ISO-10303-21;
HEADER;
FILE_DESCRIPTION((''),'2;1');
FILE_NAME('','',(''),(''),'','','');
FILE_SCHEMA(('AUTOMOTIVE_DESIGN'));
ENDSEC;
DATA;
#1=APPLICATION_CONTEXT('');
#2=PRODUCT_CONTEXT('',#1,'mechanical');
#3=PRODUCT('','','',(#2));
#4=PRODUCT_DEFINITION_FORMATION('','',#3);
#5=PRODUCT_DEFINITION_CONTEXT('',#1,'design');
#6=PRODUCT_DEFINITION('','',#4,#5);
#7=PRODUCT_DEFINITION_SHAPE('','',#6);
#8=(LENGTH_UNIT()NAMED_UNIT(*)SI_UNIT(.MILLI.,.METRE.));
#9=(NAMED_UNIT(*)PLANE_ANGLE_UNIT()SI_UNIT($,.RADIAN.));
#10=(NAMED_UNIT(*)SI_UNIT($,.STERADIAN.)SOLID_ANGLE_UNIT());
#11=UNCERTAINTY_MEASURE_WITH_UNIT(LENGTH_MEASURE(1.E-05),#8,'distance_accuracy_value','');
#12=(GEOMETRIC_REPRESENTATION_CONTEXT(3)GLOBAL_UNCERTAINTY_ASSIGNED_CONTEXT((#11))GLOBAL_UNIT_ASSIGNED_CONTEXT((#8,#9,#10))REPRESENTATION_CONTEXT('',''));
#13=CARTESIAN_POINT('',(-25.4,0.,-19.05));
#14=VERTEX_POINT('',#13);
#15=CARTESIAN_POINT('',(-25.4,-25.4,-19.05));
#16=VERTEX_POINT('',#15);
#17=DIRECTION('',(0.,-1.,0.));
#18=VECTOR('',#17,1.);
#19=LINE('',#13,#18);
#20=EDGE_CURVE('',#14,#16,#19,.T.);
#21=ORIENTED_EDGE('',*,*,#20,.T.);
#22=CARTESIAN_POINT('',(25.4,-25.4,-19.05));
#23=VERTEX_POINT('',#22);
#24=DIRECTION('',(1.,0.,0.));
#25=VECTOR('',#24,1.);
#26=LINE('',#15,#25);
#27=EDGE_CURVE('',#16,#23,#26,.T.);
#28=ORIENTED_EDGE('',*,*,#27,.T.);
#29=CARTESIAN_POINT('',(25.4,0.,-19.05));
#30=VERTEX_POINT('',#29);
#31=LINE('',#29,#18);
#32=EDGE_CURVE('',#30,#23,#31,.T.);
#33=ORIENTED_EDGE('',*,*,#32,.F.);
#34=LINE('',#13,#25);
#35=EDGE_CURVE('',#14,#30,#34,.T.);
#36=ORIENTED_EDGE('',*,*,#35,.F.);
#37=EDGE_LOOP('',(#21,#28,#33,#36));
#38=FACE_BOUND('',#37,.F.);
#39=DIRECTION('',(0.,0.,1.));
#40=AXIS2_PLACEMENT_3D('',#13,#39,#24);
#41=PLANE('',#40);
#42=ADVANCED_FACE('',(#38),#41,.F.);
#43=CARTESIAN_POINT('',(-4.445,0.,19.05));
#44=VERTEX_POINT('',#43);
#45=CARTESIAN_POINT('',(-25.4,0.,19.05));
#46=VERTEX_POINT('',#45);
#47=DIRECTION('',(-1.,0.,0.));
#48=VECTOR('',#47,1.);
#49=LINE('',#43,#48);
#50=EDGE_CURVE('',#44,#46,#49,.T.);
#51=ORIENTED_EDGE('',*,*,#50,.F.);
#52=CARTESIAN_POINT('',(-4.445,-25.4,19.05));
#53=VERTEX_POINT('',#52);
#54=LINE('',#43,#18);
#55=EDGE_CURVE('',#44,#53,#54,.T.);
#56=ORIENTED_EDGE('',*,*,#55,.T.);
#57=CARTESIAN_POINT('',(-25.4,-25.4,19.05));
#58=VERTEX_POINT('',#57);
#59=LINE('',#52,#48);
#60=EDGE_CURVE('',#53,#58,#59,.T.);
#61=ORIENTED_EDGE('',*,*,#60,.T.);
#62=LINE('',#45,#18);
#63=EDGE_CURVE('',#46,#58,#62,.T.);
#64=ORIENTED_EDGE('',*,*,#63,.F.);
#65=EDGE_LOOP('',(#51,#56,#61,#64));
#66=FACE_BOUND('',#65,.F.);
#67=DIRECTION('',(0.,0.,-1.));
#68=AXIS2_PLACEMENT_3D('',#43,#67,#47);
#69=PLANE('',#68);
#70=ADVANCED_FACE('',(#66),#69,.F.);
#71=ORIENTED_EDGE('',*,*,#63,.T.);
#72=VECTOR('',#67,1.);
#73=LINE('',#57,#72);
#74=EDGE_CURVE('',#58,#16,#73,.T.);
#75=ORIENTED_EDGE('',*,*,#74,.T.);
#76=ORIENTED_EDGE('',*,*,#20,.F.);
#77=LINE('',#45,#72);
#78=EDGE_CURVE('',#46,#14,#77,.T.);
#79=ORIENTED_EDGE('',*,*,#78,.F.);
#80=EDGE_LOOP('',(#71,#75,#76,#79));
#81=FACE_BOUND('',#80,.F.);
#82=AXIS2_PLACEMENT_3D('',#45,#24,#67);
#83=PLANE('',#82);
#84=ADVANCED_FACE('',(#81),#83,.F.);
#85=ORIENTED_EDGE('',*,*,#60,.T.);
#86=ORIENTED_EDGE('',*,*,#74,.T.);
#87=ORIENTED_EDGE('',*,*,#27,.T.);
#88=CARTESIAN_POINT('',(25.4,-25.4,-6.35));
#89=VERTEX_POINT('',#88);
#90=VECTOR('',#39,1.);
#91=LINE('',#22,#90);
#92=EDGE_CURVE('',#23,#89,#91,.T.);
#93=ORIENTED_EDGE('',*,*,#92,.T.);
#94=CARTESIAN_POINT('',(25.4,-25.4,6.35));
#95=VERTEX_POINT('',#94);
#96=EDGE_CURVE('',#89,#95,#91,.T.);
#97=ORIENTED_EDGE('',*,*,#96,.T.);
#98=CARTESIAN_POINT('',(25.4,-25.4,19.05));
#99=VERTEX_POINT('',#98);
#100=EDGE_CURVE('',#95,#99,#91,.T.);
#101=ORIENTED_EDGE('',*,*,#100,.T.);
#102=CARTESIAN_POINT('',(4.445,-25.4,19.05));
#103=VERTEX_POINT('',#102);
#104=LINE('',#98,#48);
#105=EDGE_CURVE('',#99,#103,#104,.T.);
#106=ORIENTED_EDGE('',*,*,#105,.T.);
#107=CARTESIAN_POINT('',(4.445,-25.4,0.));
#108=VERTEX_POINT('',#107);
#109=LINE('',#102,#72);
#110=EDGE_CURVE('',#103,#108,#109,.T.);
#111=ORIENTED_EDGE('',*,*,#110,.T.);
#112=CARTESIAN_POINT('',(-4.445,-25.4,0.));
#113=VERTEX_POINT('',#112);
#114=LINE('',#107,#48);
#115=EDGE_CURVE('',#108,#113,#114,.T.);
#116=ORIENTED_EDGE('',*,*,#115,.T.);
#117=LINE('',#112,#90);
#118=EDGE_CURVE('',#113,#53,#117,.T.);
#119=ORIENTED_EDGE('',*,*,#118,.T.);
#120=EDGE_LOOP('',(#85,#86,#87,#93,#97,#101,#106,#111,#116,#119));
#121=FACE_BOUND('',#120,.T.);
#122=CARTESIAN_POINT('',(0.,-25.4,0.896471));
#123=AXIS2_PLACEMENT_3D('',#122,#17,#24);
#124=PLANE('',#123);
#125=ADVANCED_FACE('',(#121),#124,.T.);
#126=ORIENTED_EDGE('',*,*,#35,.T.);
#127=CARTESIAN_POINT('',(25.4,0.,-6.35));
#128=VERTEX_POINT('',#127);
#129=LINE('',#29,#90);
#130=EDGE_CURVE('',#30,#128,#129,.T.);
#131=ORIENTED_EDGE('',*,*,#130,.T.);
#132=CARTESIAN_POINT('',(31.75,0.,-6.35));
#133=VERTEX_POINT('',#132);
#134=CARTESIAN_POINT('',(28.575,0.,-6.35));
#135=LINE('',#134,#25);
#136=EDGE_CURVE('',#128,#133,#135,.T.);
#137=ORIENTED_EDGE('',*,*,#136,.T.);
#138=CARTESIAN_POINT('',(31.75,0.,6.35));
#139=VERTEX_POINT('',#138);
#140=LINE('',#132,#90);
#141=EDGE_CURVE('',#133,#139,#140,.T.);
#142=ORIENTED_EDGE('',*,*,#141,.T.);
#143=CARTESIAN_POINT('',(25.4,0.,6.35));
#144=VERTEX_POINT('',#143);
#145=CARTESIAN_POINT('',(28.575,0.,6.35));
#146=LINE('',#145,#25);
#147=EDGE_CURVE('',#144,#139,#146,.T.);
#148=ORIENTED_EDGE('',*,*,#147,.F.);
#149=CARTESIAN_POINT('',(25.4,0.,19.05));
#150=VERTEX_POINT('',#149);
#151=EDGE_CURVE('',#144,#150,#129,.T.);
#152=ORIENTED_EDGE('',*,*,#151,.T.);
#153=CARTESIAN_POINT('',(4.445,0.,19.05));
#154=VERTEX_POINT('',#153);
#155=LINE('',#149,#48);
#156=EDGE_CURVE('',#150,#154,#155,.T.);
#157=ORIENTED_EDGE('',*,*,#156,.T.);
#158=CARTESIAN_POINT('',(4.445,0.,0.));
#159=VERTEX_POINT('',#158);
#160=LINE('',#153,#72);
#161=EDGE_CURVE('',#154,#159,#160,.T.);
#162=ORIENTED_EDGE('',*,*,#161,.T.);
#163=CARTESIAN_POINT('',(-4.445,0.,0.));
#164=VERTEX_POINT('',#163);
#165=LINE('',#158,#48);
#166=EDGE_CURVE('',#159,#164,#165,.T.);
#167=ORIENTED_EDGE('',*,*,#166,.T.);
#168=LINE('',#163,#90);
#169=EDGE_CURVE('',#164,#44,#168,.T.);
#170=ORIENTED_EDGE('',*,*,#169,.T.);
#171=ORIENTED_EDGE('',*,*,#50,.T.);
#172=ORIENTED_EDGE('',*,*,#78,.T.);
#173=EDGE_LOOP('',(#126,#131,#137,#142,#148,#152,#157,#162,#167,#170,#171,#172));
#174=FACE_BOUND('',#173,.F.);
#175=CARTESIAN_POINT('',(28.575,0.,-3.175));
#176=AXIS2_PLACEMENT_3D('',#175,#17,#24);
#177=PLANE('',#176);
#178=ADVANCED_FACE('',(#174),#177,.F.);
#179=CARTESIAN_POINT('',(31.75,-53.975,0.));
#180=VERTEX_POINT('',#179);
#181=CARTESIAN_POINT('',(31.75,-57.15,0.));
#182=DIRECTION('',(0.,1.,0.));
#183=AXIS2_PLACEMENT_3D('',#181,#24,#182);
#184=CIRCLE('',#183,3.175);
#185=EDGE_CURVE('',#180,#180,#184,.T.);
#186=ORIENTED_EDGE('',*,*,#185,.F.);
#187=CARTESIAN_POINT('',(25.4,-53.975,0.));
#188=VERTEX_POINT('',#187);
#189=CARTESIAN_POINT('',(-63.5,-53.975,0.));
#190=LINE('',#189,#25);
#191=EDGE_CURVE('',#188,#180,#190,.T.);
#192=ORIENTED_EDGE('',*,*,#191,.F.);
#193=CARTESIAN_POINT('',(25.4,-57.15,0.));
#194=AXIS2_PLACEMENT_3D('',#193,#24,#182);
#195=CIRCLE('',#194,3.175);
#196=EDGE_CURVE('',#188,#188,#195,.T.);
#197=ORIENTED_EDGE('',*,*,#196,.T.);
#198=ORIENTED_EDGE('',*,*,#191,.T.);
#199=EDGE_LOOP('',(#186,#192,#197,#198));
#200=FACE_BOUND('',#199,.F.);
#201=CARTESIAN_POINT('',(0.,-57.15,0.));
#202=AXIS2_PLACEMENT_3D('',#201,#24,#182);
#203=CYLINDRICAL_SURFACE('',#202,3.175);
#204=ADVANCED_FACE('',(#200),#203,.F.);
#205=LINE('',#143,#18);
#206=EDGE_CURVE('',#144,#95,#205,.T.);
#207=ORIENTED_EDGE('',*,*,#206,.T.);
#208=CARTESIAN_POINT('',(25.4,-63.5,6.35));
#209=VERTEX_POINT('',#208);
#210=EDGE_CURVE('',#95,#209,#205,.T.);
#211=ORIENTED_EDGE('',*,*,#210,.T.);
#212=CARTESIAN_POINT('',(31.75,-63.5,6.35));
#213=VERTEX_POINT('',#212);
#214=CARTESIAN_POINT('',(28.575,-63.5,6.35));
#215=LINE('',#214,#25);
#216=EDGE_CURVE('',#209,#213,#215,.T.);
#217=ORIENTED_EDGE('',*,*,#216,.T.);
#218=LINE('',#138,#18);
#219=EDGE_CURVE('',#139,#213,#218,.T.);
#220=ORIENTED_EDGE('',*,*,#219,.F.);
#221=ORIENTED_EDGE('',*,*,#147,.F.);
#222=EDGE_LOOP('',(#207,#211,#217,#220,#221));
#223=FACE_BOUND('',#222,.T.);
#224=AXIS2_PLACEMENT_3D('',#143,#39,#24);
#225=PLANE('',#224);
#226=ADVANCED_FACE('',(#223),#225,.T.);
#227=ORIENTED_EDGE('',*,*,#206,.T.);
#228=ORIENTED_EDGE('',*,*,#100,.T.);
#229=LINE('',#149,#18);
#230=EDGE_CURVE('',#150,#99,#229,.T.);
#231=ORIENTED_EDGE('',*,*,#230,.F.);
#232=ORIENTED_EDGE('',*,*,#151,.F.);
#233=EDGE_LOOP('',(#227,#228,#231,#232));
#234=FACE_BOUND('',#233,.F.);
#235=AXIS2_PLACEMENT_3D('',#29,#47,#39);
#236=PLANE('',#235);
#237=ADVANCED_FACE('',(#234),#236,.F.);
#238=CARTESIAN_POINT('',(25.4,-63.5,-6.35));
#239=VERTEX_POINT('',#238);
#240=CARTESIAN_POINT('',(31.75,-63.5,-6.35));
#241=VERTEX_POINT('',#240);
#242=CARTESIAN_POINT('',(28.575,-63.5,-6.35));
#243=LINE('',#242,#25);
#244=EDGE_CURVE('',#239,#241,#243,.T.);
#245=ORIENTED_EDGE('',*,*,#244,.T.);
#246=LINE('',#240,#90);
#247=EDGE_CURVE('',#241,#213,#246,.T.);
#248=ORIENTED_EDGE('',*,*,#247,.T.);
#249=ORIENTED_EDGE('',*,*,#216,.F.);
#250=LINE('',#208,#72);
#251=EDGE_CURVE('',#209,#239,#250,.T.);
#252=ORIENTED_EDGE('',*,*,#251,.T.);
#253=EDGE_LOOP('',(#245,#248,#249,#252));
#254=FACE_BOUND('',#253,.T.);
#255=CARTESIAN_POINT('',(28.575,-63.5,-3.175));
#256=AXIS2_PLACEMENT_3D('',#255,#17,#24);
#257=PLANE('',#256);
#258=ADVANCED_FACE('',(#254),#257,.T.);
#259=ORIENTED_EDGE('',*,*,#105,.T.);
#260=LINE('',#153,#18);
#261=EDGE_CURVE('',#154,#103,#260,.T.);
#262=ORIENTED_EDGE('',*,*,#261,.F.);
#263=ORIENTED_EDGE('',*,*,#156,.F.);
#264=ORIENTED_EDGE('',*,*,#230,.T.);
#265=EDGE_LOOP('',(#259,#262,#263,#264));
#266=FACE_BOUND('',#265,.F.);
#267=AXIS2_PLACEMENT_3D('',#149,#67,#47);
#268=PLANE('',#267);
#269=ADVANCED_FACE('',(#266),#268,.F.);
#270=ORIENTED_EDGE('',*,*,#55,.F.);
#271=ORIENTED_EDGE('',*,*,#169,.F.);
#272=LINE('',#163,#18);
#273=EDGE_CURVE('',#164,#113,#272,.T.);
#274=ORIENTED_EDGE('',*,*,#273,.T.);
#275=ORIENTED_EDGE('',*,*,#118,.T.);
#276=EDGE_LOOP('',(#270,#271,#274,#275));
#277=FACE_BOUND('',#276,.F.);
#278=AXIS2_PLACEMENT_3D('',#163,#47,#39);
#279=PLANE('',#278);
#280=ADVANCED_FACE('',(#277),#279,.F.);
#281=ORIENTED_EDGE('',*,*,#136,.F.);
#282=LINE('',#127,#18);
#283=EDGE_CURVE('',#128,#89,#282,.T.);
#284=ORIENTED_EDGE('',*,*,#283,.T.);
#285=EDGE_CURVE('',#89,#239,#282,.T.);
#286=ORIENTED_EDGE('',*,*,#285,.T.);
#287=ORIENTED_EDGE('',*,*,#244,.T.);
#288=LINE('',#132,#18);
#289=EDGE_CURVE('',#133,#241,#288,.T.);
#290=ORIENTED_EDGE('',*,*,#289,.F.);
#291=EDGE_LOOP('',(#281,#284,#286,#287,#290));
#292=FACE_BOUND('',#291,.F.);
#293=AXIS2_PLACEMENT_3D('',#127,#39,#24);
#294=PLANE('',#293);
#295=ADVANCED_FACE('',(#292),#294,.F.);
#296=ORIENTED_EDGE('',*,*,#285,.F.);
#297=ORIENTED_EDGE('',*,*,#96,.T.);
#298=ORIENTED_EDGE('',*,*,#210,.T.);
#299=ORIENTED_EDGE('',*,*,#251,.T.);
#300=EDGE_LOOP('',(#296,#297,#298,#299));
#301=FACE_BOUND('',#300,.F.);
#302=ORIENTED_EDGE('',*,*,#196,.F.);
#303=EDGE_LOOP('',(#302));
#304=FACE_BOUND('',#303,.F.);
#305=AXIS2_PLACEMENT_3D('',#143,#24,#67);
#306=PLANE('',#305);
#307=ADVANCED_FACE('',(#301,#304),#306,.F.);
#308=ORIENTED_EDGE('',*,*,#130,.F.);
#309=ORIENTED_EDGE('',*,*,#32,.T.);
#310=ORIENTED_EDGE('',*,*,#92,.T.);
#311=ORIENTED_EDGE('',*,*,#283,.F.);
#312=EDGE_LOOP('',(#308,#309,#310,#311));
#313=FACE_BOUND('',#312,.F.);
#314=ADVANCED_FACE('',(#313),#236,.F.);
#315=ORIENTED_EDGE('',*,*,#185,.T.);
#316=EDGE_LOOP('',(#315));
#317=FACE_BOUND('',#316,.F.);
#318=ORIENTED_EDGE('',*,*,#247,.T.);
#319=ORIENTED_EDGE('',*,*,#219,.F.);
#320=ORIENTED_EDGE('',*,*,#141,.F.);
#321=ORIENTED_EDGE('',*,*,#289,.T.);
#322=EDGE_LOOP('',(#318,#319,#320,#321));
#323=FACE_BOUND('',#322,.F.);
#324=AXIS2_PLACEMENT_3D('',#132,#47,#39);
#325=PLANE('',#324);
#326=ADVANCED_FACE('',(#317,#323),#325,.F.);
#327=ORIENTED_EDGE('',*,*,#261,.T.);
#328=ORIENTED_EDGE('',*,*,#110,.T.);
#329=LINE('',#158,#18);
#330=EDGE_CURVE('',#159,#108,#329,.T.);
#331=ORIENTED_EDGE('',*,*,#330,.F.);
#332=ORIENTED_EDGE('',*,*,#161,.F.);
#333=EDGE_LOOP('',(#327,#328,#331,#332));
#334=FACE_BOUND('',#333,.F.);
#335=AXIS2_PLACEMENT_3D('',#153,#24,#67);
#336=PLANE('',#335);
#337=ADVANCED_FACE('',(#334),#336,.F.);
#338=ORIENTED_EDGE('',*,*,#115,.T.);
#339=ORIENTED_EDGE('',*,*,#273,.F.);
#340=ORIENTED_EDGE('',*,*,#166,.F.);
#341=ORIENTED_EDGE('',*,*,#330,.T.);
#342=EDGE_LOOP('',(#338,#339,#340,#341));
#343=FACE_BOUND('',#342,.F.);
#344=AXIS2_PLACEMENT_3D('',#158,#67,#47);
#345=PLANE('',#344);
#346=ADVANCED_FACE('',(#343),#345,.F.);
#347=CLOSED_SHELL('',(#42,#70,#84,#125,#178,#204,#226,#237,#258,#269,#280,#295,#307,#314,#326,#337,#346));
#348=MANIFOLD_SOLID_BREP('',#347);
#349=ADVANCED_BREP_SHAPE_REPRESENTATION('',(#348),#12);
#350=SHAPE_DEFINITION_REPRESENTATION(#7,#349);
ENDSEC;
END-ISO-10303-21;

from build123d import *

# Parameters (mm, degrees)
F1_DEPTH = 25.4
F2_W     = 6.35
F2_H     = 6.35
F3_DEPTH = 63.5
F4_R     = 3.175
F5_DEPTH = 63.5


with BuildPart() as f1:
    # F0 (on Front) → F1 (new body)
    with BuildSketch(Plane.XZ):
        Polygon((-4.445, 19.05), (-25.4, 19.05), (-25.4, -19.05), (25.4, -19.05), (25.4, 19.05), (4.445, 19.05), (4.445, 0), (0, 0), (-4.445, 0), align=None)
    extrude(amount=F1_DEPTH)

    # F2 (on Front) → F3 (join)
    with BuildSketch(Plane.XZ):
        with Locations((28.575, -3.175)):
            Rectangle(F2_W, F2_H)
        with Locations((28.575, 3.175)):
            Rectangle(F2_W, F2_H)
    extrude(amount=F3_DEPTH)

    # F4 (on Right) → F5 (cut, symmetric)
    with BuildSketch(Plane.YZ):
        with Locations((-57.15, 0)):
            Circle(F4_R)
    extrude(amount=F5_DEPTH, both=True, mode=Mode.SUBTRACT)


solid = f1.part
